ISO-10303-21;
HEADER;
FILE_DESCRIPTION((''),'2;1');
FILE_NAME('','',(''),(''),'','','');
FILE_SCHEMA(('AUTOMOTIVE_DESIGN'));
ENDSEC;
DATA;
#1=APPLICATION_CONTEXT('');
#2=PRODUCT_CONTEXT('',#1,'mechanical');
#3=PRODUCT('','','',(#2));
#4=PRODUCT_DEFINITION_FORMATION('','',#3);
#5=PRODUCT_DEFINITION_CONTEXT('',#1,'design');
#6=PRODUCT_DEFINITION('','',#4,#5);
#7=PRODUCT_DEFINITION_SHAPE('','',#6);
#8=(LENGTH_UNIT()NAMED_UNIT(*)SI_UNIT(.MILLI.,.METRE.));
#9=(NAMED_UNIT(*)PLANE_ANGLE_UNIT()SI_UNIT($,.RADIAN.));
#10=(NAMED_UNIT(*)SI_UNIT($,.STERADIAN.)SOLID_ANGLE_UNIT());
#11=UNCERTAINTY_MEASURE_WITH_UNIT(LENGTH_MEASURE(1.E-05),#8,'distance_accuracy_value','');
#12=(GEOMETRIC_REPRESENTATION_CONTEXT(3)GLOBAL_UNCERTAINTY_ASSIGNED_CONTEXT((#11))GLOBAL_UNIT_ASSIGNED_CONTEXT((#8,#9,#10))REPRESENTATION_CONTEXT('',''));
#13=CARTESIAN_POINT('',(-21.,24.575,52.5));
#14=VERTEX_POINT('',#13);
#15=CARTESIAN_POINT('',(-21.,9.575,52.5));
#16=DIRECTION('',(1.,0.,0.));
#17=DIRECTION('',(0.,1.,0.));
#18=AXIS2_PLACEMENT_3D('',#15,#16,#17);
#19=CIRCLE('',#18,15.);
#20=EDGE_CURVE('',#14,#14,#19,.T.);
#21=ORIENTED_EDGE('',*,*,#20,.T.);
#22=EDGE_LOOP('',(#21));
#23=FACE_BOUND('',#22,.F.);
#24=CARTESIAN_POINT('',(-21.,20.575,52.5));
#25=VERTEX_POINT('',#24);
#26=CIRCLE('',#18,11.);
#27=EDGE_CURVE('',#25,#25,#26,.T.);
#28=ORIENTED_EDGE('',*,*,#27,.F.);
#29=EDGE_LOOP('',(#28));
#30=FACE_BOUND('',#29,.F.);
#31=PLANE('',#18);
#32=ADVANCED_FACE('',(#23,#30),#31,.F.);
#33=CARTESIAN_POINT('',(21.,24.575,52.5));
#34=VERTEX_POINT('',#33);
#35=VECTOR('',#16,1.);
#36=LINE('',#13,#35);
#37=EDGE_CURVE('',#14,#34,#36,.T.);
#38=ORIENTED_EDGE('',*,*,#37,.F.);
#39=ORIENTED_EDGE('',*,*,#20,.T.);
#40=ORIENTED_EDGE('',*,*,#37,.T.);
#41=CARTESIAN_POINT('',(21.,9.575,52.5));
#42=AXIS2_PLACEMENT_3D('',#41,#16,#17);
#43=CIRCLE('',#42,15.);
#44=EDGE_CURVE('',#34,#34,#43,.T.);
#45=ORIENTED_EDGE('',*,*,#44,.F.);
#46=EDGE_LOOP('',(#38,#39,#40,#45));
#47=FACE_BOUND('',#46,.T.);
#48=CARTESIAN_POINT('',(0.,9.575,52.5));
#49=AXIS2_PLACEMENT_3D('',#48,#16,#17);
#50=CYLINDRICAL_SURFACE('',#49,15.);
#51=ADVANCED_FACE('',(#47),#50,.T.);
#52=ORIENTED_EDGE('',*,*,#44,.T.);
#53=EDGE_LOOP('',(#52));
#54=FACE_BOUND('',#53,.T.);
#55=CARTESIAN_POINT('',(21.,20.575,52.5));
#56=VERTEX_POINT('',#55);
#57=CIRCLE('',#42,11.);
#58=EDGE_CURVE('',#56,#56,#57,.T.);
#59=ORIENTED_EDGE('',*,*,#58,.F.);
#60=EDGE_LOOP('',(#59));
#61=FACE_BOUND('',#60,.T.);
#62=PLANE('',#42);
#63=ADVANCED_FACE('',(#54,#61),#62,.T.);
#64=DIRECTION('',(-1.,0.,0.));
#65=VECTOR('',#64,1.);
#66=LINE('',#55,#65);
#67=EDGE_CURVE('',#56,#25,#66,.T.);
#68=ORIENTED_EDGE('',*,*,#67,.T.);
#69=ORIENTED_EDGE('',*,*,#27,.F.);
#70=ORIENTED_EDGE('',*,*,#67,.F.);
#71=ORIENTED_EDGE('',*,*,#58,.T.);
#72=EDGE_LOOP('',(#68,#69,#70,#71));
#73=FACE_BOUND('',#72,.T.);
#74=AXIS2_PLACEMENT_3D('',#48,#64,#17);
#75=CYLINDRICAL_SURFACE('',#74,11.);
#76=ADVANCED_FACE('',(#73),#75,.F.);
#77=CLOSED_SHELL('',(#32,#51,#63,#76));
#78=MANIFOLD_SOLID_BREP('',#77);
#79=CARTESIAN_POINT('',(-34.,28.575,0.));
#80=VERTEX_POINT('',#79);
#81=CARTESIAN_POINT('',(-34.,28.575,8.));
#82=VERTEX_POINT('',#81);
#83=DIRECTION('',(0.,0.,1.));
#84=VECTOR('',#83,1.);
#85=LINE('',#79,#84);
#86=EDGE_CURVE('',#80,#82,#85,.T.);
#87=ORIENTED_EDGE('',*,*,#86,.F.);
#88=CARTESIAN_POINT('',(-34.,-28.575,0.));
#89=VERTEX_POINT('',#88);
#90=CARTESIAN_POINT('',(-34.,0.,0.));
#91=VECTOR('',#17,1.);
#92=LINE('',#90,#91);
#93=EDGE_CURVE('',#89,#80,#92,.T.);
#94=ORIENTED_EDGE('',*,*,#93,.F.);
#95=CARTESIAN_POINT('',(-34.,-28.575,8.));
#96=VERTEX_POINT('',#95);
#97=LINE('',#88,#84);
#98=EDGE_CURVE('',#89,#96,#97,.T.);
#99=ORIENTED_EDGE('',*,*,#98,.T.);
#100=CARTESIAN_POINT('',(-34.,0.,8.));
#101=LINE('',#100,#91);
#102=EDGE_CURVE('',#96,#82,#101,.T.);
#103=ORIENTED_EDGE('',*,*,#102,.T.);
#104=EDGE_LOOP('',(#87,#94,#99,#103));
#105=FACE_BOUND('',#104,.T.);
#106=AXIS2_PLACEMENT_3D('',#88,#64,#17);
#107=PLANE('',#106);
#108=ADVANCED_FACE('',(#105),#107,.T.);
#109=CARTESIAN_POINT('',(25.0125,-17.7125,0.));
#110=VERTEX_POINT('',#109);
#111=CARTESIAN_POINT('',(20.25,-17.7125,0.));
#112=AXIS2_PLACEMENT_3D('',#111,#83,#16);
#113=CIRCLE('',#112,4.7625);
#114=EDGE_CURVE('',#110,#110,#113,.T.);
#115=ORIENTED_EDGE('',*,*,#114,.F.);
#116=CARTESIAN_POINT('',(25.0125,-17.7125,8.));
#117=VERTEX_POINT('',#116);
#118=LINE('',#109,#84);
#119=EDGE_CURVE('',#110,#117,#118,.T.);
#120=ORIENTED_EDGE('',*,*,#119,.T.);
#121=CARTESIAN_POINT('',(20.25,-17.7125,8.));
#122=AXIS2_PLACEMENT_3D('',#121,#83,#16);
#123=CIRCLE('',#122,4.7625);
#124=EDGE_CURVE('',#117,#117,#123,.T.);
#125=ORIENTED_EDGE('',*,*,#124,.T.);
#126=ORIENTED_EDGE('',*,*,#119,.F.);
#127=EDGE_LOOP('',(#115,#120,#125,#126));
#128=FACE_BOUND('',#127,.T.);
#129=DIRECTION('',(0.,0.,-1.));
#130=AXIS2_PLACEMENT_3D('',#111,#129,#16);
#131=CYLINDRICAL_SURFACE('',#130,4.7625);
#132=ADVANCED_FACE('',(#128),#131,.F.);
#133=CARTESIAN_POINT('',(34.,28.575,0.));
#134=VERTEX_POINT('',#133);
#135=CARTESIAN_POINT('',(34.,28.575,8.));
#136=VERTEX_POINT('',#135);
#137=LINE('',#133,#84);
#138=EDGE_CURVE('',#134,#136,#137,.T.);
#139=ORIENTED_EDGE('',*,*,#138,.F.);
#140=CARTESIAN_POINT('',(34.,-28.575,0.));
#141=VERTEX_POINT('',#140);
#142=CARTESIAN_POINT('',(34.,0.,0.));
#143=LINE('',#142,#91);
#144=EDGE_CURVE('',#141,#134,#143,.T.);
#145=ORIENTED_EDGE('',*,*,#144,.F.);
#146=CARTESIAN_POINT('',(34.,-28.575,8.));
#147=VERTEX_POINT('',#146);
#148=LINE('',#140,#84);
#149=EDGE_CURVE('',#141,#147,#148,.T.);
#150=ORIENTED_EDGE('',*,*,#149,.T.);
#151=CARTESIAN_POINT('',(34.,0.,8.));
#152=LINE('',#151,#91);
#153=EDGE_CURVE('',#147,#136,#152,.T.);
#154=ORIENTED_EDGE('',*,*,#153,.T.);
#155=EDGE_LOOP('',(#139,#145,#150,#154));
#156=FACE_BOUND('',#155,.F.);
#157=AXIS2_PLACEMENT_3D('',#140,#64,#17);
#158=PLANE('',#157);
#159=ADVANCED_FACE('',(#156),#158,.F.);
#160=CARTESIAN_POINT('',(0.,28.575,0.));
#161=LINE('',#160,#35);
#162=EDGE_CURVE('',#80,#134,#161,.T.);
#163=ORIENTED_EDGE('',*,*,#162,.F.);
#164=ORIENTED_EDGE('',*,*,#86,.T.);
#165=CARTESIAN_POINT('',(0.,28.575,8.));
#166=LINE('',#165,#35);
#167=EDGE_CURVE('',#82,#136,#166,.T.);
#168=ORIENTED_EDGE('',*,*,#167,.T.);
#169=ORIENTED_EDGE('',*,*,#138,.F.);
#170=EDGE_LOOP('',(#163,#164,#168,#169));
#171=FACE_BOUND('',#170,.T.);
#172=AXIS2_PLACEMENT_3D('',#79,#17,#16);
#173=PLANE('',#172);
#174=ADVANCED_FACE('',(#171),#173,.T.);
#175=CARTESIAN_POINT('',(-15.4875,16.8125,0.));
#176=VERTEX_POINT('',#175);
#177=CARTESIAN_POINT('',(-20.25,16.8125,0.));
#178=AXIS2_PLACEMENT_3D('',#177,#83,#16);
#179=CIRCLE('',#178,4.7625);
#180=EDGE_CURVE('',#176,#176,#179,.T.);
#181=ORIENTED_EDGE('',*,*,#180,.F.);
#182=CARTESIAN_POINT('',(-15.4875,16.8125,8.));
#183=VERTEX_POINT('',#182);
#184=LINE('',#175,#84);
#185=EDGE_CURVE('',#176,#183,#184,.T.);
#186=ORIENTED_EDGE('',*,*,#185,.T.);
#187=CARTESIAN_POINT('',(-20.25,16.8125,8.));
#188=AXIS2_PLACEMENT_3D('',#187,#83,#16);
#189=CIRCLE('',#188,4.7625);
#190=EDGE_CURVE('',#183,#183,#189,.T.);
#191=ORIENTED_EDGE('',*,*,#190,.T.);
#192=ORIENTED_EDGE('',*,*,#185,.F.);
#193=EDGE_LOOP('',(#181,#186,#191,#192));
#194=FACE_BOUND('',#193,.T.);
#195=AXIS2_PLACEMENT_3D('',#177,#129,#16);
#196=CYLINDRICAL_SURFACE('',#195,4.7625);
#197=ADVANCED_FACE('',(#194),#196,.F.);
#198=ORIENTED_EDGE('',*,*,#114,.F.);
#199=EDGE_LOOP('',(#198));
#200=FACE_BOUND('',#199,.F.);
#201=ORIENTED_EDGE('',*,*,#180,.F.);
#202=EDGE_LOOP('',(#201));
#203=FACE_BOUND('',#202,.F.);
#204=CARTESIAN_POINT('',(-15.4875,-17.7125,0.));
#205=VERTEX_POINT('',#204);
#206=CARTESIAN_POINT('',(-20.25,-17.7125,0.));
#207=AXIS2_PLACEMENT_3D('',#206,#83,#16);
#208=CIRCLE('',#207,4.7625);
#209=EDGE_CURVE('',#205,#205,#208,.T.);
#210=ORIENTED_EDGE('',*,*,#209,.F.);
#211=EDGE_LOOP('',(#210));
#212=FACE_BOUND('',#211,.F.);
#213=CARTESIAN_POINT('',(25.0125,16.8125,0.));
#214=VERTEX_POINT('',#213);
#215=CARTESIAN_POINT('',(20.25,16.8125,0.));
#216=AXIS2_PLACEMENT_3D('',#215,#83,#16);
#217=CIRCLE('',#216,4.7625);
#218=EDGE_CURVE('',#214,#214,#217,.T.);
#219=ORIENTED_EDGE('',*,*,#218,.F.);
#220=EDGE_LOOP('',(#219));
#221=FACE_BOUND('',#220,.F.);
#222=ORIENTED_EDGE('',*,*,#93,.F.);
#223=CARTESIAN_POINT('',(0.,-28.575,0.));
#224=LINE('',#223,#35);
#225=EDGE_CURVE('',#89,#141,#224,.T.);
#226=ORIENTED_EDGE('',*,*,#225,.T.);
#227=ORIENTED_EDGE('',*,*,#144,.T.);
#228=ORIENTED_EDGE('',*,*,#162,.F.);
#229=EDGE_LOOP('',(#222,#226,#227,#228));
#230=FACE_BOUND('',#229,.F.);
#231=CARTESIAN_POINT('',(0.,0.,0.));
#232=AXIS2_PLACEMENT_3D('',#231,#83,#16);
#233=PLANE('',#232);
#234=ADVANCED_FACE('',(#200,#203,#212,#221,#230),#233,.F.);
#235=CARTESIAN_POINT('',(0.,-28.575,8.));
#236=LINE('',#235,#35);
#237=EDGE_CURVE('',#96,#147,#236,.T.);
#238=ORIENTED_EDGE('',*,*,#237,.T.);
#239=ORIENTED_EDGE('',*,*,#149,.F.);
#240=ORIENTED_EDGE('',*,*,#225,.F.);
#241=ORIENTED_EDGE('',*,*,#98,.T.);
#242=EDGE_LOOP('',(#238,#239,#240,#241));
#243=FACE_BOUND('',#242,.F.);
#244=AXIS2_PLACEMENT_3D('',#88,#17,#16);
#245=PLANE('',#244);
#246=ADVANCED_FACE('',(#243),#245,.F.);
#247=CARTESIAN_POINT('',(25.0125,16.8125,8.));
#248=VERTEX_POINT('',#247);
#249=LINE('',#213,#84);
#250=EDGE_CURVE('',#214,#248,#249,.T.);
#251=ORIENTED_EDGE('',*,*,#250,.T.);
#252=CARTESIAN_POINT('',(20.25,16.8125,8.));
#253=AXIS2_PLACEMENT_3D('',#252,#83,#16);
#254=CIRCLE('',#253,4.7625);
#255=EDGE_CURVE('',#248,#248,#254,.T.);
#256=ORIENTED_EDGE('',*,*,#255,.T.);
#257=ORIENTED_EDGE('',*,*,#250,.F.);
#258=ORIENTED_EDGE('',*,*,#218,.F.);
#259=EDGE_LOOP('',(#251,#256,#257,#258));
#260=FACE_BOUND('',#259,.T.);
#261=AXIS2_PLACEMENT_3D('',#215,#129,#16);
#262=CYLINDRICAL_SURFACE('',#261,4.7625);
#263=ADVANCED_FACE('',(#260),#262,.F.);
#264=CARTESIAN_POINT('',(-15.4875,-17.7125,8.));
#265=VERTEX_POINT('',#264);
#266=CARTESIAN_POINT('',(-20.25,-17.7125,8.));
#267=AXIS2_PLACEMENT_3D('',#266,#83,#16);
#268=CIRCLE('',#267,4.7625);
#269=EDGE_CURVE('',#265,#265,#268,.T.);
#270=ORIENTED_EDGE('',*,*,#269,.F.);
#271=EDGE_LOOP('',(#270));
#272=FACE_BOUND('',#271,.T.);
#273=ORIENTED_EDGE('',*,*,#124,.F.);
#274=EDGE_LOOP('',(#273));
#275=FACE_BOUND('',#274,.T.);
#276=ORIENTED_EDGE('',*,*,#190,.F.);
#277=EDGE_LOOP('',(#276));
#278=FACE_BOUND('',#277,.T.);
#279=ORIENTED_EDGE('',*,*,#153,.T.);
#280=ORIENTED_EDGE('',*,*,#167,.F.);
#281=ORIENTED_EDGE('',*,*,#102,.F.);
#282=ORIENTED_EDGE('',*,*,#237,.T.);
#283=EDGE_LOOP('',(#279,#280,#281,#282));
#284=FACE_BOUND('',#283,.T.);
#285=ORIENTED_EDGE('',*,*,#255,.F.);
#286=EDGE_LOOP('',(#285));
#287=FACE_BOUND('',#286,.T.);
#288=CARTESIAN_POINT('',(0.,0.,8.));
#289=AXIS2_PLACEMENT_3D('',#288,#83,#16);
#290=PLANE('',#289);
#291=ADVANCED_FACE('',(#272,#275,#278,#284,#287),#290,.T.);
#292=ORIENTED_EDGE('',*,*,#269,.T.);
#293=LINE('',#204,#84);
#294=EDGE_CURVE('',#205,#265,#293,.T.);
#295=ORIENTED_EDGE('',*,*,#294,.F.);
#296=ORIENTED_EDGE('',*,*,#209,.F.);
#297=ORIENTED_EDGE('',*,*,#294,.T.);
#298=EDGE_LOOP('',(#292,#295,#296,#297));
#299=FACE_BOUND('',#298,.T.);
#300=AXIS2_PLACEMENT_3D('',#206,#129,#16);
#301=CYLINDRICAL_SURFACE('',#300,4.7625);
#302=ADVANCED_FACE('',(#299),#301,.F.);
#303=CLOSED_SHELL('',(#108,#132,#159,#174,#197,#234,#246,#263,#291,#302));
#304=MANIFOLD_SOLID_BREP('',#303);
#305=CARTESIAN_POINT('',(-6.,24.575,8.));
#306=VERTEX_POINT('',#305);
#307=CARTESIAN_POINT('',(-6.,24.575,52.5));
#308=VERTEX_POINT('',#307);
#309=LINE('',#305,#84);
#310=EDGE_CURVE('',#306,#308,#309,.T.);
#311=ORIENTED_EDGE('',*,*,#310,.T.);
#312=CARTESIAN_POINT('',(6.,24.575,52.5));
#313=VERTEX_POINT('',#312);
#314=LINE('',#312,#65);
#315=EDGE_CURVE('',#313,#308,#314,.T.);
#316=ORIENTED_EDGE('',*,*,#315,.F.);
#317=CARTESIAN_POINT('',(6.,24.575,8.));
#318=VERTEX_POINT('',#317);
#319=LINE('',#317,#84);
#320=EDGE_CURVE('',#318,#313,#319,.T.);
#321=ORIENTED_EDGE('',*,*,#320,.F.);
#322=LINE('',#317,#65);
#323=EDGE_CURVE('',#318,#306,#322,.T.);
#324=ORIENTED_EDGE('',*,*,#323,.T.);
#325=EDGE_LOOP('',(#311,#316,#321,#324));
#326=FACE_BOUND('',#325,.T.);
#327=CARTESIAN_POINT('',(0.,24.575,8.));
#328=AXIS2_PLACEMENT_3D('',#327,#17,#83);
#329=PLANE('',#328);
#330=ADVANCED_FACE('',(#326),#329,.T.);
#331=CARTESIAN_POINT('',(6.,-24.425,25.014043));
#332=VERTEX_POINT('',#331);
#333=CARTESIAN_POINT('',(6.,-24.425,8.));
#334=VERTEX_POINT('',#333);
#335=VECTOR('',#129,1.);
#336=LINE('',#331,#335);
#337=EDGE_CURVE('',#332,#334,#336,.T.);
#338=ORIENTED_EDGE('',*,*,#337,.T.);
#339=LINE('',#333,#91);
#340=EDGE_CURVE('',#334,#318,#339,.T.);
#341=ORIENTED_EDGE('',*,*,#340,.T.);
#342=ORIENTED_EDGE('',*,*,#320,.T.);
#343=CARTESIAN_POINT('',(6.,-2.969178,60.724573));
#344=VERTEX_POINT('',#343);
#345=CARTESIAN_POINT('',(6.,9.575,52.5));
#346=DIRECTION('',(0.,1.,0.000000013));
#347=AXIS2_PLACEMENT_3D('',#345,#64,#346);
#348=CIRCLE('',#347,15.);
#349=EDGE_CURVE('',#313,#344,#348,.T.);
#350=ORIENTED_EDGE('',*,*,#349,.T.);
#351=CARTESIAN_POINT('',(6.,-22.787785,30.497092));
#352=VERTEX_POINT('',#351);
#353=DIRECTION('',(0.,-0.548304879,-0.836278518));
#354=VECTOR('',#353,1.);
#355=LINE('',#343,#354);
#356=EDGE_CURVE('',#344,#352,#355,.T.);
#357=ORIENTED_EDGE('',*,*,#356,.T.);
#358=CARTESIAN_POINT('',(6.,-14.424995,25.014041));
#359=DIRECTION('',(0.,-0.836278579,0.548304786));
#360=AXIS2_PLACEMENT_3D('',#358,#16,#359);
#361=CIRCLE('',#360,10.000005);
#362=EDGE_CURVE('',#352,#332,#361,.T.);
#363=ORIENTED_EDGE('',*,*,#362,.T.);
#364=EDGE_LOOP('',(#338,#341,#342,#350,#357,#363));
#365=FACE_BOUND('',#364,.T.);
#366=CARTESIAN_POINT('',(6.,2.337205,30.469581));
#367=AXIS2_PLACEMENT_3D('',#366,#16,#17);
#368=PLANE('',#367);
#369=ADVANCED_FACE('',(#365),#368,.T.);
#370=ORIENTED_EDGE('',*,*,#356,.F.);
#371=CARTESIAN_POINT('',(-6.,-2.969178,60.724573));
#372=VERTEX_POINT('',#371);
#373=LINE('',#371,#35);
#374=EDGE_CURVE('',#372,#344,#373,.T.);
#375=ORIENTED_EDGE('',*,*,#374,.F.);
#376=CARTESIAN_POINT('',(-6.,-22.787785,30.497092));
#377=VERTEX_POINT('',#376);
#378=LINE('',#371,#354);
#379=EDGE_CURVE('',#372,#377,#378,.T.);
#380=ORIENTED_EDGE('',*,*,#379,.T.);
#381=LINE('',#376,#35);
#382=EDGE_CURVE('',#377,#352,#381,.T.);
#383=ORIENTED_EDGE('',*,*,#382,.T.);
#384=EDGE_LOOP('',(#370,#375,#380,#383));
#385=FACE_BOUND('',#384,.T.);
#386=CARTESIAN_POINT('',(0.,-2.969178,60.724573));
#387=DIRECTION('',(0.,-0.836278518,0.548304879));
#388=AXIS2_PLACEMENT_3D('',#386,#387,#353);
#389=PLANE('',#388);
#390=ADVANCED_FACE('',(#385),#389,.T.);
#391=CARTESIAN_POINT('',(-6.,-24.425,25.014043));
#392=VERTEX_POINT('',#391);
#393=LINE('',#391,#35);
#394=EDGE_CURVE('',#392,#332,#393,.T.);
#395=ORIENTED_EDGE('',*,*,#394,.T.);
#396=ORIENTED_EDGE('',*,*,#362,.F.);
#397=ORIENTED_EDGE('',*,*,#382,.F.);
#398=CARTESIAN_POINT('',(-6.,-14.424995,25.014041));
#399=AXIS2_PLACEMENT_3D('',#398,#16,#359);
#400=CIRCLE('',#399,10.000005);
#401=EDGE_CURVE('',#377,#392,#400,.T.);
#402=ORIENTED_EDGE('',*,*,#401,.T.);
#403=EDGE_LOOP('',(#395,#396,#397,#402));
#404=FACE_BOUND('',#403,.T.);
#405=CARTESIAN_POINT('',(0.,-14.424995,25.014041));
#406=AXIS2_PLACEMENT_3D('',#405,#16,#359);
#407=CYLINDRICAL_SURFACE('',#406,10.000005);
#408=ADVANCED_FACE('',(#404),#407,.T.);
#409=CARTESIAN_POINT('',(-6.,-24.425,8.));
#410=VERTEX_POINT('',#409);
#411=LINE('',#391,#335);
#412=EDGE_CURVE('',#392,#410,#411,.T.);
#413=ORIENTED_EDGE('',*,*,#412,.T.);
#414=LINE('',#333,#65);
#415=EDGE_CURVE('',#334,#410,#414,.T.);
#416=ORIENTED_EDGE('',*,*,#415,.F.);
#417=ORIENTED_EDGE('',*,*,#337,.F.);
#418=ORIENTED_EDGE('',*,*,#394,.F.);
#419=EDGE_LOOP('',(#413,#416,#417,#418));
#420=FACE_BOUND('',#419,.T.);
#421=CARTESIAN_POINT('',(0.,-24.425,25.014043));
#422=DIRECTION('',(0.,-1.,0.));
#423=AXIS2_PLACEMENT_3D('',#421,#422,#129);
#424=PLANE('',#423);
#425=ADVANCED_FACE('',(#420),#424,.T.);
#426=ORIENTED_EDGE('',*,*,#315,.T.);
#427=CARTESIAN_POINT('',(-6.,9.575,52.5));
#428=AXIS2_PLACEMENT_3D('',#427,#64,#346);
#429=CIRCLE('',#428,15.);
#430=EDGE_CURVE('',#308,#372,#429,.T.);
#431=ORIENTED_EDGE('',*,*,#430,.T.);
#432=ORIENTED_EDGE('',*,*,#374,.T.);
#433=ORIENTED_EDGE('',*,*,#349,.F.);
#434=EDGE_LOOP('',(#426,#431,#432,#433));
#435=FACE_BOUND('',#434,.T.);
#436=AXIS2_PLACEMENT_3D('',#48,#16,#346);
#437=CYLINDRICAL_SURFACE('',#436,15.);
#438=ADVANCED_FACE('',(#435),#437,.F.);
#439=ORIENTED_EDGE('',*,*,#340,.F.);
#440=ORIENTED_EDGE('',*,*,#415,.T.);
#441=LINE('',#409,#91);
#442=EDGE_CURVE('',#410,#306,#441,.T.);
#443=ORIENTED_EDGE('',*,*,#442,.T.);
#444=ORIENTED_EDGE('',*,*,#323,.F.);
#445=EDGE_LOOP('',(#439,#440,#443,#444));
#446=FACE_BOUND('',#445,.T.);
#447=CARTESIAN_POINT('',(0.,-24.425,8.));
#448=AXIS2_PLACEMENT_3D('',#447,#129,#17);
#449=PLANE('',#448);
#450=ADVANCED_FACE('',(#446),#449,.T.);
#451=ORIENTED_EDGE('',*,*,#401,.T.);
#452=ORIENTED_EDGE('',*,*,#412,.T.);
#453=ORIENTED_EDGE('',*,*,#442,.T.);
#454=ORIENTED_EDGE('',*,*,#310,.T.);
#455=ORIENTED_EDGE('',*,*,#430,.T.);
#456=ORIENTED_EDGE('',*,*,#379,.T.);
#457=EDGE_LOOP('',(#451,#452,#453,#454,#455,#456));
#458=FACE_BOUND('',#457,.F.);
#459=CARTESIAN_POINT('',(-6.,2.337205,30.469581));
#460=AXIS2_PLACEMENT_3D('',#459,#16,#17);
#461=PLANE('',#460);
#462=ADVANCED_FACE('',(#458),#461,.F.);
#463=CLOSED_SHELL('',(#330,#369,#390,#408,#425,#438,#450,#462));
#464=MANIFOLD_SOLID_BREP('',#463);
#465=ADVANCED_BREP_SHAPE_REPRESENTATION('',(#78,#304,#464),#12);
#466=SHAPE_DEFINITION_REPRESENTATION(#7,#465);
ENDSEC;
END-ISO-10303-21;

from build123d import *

# Parameters (mm, degrees)
F0_W     = 68
F0_H     = 57.15
F0_R     = 4.7625
F1_DEPTH = 8
F2_R     = 15
F2_R_2   = 11
F3_DEPTH = 21
F5_DEPTH = 6


with BuildPart() as f1:
    # F0 (on Top) → F1 (new body)
    with BuildSketch(Plane.XY):
        Rectangle(F0_W, F0_H)
        with Locations((-20.25, -17.7125)):
            Circle(F0_R, mode=Mode.SUBTRACT)
        with Locations((20.25, -17.7125)):
            Circle(F0_R, mode=Mode.SUBTRACT)
        with Locations((-20.25, 16.8125)):
            Circle(F0_R, mode=Mode.SUBTRACT)
        with Locations((20.25, 16.8125)):
            Circle(F0_R, mode=Mode.SUBTRACT)
    extrude(amount=F1_DEPTH)


with BuildPart() as f3:
    # F2 (on Right) → F3 (new body, symmetric)
    with BuildSketch(Plane.YZ):
        with Locations((9.575, 52.5)):
            Circle(F2_R)
        with Locations((9.575, 52.5)):
            Circle(F2_R_2, mode=Mode.SUBTRACT)
    extrude(amount=F3_DEPTH, both=True)


with BuildPart() as f5:
    # F4 (on Right) → F5 (new body, symmetric)
    with BuildSketch(Plane.YZ):
        with BuildLine():
            ThreePointArc((24.575, 52.5), (5.283303, 38.127062), (-2.969178, 60.724573))
            Line((-2.969178, 60.724573), (-22.787785, 30.497092))
            ThreePointArc((-22.787785, 30.497092), (-24.006958, 27.875175), (-24.425, 25.014043))
            Line((-24.425, 25.014043), (-24.425, 8))
            Line((-24.425, 8), (24.575, 8))
            Line((24.575, 8), (24.575, 52.5))
        make_face()
    extrude(amount=F5_DEPTH, both=True)


solid = Compound([f1.part, f3.part, f5.part])
